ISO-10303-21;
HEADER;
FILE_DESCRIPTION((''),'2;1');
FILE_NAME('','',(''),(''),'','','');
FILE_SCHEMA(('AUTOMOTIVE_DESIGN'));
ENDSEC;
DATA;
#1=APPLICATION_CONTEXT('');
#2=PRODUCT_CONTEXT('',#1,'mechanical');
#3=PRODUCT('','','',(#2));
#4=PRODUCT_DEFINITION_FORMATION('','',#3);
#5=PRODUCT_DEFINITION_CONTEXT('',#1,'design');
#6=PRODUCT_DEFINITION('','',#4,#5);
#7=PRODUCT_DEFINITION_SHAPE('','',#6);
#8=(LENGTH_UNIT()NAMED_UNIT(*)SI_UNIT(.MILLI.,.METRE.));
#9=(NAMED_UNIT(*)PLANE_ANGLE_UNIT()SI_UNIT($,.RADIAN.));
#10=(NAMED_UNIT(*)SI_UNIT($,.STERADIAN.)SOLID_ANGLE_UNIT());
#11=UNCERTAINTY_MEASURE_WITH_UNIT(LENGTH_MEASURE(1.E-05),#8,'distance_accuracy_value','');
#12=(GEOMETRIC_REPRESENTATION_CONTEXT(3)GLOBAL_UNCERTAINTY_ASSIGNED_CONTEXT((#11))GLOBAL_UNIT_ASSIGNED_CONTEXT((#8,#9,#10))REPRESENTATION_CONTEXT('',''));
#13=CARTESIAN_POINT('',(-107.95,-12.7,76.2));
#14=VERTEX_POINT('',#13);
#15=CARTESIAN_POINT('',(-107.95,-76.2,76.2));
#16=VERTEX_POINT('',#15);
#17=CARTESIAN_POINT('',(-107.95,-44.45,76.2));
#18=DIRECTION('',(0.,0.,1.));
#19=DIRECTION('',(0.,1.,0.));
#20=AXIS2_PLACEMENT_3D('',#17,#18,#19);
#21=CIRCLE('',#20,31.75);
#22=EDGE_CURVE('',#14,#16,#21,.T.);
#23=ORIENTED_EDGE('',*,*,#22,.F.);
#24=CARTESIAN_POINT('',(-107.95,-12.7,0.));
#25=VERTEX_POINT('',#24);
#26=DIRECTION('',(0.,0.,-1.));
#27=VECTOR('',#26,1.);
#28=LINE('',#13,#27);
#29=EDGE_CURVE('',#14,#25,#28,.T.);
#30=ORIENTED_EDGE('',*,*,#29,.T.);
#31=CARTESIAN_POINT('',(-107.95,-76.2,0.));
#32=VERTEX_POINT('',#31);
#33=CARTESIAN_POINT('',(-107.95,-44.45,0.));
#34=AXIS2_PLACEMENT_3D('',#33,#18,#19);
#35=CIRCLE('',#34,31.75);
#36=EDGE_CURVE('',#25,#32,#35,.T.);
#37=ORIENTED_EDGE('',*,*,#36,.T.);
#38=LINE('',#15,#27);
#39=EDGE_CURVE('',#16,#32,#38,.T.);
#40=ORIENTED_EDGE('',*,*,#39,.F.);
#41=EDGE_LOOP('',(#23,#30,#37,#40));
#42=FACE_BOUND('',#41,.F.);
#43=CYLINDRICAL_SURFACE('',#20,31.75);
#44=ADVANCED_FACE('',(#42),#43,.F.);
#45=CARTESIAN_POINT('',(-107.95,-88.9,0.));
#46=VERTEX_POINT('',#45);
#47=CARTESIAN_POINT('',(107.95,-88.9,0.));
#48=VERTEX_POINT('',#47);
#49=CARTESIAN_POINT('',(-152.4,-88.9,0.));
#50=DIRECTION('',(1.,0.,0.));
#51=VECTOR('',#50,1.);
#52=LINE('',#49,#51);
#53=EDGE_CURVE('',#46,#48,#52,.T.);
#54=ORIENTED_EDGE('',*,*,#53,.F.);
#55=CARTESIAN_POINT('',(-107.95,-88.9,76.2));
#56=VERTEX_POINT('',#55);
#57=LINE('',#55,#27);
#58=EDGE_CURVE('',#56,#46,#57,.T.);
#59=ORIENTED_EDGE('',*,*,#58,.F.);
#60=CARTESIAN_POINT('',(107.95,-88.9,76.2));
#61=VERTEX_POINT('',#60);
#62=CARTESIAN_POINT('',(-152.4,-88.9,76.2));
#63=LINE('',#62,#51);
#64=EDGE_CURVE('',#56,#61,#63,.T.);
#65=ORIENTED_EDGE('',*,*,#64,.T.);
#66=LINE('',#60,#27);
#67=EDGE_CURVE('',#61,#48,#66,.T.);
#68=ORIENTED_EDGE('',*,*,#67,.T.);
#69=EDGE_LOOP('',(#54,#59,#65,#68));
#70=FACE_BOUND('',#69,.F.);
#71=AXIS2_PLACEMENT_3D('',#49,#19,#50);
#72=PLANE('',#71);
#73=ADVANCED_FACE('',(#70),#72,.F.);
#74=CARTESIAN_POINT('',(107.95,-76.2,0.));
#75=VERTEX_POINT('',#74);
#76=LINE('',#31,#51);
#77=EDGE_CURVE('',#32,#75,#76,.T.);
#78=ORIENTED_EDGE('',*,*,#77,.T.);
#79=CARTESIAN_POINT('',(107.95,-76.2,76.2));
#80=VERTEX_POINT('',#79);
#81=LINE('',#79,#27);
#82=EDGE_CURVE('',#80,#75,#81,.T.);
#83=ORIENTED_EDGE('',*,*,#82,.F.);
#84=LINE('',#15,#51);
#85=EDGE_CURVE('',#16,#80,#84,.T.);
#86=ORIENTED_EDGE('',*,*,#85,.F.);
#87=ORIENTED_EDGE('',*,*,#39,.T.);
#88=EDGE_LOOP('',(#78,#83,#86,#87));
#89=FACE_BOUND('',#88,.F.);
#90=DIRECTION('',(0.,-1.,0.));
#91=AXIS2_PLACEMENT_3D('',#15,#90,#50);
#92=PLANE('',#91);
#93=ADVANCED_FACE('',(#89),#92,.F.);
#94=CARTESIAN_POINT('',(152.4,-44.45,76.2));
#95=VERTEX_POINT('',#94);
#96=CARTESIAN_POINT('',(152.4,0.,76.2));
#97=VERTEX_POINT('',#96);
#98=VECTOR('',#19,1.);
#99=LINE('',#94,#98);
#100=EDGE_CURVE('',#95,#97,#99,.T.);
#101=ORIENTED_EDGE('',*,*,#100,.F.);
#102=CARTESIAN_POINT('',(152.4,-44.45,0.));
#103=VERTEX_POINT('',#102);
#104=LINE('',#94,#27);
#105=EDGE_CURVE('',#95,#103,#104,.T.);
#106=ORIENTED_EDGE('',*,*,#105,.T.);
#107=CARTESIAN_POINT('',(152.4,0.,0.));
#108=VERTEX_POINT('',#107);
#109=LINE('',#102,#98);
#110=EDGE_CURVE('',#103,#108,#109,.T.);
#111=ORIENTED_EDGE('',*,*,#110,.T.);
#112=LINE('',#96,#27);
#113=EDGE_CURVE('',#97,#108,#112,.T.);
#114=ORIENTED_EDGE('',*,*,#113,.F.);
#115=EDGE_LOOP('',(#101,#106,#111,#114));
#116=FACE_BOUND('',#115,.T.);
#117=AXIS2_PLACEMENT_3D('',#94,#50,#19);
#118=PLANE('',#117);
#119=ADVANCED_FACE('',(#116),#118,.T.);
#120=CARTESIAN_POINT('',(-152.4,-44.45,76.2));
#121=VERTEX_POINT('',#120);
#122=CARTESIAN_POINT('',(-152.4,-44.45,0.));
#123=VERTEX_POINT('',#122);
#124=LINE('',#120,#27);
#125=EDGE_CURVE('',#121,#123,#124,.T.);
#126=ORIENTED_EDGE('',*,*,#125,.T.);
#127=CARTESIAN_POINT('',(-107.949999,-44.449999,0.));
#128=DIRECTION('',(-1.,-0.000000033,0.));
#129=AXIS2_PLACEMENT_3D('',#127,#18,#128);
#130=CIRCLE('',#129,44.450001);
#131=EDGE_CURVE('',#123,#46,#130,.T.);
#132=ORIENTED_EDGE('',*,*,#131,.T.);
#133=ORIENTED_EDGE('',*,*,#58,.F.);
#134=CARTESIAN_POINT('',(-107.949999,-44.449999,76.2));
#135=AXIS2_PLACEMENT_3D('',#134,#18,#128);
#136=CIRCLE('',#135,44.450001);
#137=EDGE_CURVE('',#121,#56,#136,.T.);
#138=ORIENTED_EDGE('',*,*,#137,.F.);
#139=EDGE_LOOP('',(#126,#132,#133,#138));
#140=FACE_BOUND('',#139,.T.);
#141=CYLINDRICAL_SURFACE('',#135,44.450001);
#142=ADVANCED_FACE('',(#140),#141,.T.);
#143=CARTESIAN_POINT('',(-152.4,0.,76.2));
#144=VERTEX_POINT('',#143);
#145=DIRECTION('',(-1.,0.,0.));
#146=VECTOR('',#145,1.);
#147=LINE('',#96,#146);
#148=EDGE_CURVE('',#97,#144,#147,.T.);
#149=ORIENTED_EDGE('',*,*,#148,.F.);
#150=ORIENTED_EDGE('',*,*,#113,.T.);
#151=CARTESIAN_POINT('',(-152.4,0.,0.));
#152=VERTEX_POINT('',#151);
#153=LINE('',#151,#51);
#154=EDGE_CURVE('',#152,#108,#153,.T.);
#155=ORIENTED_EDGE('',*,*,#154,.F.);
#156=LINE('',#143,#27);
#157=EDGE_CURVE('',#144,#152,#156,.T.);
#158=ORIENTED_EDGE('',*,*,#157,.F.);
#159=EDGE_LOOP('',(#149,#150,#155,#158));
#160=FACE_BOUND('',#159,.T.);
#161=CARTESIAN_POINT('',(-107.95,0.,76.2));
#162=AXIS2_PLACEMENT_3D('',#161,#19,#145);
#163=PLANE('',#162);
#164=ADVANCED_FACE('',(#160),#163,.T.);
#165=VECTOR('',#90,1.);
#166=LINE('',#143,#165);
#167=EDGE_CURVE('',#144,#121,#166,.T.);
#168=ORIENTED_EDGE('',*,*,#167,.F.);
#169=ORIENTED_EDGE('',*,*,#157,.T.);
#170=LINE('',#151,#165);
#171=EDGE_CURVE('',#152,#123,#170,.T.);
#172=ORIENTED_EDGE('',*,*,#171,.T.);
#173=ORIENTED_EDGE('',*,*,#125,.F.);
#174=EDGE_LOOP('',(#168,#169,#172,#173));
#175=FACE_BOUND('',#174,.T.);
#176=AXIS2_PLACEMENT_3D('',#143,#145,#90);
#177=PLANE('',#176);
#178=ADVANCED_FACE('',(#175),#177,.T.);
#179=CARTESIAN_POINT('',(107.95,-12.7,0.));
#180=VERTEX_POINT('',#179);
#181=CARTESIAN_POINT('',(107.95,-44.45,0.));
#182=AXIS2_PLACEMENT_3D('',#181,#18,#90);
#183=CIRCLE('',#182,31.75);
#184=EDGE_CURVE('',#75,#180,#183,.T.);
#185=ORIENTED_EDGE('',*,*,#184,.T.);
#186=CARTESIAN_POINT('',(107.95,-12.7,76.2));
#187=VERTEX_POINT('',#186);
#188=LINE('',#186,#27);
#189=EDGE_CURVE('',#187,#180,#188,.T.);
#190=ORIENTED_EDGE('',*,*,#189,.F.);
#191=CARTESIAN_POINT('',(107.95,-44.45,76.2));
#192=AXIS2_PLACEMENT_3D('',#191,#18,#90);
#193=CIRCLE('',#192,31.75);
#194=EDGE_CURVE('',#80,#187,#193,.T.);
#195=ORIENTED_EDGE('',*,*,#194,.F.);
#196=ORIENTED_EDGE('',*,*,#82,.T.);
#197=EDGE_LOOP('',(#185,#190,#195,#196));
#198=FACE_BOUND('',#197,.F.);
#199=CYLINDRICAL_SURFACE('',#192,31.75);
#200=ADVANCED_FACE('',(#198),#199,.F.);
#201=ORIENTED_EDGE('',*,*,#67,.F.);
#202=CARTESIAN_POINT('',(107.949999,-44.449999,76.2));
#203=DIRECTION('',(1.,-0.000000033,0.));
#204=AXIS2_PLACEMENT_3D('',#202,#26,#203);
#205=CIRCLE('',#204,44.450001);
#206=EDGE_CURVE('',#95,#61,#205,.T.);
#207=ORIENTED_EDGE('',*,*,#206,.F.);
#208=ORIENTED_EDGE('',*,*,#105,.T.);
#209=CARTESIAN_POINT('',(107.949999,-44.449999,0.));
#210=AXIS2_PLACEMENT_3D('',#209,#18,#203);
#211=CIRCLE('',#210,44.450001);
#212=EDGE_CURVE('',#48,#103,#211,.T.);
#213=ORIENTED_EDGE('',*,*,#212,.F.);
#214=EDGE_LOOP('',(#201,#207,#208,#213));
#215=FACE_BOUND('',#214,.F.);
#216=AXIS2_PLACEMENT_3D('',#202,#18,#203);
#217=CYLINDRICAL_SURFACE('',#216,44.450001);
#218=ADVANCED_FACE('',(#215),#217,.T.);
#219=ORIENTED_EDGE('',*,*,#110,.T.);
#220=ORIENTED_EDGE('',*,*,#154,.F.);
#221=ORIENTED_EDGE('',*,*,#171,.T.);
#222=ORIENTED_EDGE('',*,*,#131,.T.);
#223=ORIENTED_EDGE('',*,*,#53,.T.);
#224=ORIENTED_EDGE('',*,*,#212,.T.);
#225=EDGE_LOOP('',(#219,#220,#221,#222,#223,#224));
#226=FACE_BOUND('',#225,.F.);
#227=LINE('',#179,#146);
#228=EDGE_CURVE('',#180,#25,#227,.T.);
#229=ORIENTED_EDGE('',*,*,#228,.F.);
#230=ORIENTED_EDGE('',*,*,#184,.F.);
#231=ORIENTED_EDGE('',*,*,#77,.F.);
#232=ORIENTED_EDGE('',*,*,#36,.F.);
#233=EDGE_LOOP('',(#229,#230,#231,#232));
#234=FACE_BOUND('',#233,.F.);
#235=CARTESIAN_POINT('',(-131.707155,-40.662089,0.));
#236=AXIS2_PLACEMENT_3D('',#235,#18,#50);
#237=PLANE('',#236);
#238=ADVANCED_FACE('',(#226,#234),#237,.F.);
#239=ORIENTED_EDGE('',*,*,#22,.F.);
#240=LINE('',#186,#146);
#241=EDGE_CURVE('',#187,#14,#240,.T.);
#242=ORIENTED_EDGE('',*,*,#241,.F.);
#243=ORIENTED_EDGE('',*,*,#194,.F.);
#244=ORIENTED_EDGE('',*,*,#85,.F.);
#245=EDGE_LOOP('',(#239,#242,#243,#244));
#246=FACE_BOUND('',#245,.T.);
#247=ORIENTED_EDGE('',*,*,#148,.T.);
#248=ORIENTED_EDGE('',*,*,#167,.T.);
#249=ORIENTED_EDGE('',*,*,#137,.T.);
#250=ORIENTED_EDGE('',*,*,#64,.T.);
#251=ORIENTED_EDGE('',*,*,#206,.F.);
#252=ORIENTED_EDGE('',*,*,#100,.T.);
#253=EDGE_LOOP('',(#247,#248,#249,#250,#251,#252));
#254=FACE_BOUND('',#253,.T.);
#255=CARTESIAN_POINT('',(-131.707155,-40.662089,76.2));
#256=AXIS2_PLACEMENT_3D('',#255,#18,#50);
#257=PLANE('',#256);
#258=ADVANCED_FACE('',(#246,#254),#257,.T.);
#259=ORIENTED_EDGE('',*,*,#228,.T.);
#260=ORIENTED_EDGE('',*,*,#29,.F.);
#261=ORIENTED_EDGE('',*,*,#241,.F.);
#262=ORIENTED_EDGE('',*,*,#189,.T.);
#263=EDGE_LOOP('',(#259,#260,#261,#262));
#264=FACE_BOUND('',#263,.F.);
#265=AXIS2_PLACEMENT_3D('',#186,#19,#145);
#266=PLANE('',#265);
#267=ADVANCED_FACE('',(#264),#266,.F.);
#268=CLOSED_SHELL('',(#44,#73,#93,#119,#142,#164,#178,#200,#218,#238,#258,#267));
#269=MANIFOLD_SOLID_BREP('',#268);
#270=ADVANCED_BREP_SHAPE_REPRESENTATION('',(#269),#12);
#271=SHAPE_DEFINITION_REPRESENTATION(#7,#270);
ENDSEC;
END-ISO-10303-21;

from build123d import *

# Parameters (mm, degrees)
F1_DEPTH  = 76.2
F3_DEPTH  = 127
F4_DEPTH  = 127
F5_DEPTH  = 127
F6_DEPTH  = 127
F7_DEPTH  = 76.2
F8_DEPTH  = 76.2
F9_DEPTH  = 76.2
F10_DEPTH = 76.2


with BuildPart() as f1:
    # F0 (on Top) → F1 (new body)
    with BuildSketch(Plane.XY):
        Polygon((-152.4, -88.9), (0, -88.9), (152.4, -88.9), (152.4, 0), (0, 0), (-152.4, 0), align=None)
    extrude(amount=F1_DEPTH)

    # F2 (on face) → F3 (cut)
    with BuildSketch(Plane.XY.offset(76.2)):
        with BuildLine():
            Line((-152.4, -88.9), (-107.95, -88.9))
            ThreePointArc((-107.95, -88.9), (-139.380896, -75.880896), (-152.4, -44.45))
            Line((-152.4, -44.45), (-152.4, -88.9))
        make_face()
    extrude(amount=-F3_DEPTH, mode=Mode.SUBTRACT)

    # F2 (on face) → F4 (cut)
    with BuildSketch(Plane.XY.offset(76.2)):
        with BuildLine():
            ThreePointArc((-152.4, -44.45), (-139.380896, -75.880896), (-107.95, -88.9))
            Line((-107.95, -88.9), (-107.95, -76.2))
            ThreePointArc((-107.95, -76.2), (-139.7, -44.45), (-107.95, -12.7))
            Line((-107.95, -12.7), (-107.95, 0))
            Line((-107.95, 0), (-152.4, 0))
            Line((-152.4, 0), (-152.4, -44.45))
        make_face()
    extrude(amount=-F4_DEPTH, mode=Mode.SUBTRACT)

    # F2 (on face) → F5 (cut)
    with BuildSketch(Plane.XY.offset(76.2)):
        with BuildLine():
            ThreePointArc((107.95, 0), (139.380896, -13.019104), (152.4, -44.45))
            Line((152.4, -44.45), (152.4, 0))
            Line((152.4, 0), (107.95, 0))
        make_face()
    extrude(amount=-F5_DEPTH, mode=Mode.SUBTRACT)

    # F2 (on face) → F6 (cut)
    with BuildSketch(Plane.XY.offset(76.2)):
        with BuildLine():
            Line((107.95, -88.9), (152.4, -88.9))
            Line((152.4, -88.9), (152.4, -44.45))
            ThreePointArc((152.4, -44.45), (139.380896, -75.880896), (107.95, -88.9))
        make_face()
    extrude(amount=-F6_DEPTH, mode=Mode.SUBTRACT)

    # F2 (on face) → F7 (join)
    with BuildSketch(Plane.XY.offset(76.2)):
        with BuildLine():
            ThreePointArc((107.95, 0), (139.380896, -13.019104), (152.4, -44.45))
            Line((152.4, -44.45), (152.4, 0))
            Line((152.4, 0), (107.95, 0))
        make_face()
    extrude(amount=-F7_DEPTH)

    # F2 (on face) → F8 (join)
    with BuildSketch(Plane.XY.offset(76.2)):
        with BuildLine():
            ThreePointArc((-152.4, -44.45), (-139.380896, -75.880896), (-107.95, -88.9))
            Line((-107.95, -88.9), (-107.95, -76.2))
            ThreePointArc((-107.95, -76.2), (-139.7, -44.45), (-107.95, -12.7))
            Line((-107.95, -12.7), (-107.95, 0))
            Line((-107.95, 0), (-152.4, 0))
            Line((-152.4, 0), (-152.4, -44.45))
        make_face()
    extrude(amount=-F8_DEPTH)

    # F2 (on face) → F9 (cut)
    with BuildSketch(Plane.XY.offset(76.2)):
        with BuildLine():
            Line((0, -76.2), (107.95, -76.2))
            ThreePointArc((107.95, -76.2), (139.7, -44.45), (107.95, -12.7))
            Line((107.95, -12.7), (0, -12.7))
            Line((0, -12.7), (-107.95, -12.7))
            ThreePointArc((-107.95, -12.7), (-139.7, -44.45), (-107.95, -76.2))
            Line((-107.95, -76.2), (0, -76.2))
        make_face()
    extrude(amount=-F9_DEPTH, mode=Mode.SUBTRACT)

    # F2 (on face) → F10 (cut)
    with BuildSketch(Plane.XY.offset(76.2)):
        with BuildLine():
            Line((0, -76.2), (107.95, -76.2))
            ThreePointArc((107.95, -76.2), (139.7, -44.45), (107.95, -12.7))
            Line((107.95, -12.7), (0, -12.7))
            Line((0, -12.7), (-107.95, -12.7))
            ThreePointArc((-107.95, -12.7), (-139.7, -44.45), (-107.95, -76.2))
            Line((-107.95, -76.2), (0, -76.2))
        make_face()
    extrude(amount=-F10_DEPTH, mode=Mode.SUBTRACT)


solid = f1.part
